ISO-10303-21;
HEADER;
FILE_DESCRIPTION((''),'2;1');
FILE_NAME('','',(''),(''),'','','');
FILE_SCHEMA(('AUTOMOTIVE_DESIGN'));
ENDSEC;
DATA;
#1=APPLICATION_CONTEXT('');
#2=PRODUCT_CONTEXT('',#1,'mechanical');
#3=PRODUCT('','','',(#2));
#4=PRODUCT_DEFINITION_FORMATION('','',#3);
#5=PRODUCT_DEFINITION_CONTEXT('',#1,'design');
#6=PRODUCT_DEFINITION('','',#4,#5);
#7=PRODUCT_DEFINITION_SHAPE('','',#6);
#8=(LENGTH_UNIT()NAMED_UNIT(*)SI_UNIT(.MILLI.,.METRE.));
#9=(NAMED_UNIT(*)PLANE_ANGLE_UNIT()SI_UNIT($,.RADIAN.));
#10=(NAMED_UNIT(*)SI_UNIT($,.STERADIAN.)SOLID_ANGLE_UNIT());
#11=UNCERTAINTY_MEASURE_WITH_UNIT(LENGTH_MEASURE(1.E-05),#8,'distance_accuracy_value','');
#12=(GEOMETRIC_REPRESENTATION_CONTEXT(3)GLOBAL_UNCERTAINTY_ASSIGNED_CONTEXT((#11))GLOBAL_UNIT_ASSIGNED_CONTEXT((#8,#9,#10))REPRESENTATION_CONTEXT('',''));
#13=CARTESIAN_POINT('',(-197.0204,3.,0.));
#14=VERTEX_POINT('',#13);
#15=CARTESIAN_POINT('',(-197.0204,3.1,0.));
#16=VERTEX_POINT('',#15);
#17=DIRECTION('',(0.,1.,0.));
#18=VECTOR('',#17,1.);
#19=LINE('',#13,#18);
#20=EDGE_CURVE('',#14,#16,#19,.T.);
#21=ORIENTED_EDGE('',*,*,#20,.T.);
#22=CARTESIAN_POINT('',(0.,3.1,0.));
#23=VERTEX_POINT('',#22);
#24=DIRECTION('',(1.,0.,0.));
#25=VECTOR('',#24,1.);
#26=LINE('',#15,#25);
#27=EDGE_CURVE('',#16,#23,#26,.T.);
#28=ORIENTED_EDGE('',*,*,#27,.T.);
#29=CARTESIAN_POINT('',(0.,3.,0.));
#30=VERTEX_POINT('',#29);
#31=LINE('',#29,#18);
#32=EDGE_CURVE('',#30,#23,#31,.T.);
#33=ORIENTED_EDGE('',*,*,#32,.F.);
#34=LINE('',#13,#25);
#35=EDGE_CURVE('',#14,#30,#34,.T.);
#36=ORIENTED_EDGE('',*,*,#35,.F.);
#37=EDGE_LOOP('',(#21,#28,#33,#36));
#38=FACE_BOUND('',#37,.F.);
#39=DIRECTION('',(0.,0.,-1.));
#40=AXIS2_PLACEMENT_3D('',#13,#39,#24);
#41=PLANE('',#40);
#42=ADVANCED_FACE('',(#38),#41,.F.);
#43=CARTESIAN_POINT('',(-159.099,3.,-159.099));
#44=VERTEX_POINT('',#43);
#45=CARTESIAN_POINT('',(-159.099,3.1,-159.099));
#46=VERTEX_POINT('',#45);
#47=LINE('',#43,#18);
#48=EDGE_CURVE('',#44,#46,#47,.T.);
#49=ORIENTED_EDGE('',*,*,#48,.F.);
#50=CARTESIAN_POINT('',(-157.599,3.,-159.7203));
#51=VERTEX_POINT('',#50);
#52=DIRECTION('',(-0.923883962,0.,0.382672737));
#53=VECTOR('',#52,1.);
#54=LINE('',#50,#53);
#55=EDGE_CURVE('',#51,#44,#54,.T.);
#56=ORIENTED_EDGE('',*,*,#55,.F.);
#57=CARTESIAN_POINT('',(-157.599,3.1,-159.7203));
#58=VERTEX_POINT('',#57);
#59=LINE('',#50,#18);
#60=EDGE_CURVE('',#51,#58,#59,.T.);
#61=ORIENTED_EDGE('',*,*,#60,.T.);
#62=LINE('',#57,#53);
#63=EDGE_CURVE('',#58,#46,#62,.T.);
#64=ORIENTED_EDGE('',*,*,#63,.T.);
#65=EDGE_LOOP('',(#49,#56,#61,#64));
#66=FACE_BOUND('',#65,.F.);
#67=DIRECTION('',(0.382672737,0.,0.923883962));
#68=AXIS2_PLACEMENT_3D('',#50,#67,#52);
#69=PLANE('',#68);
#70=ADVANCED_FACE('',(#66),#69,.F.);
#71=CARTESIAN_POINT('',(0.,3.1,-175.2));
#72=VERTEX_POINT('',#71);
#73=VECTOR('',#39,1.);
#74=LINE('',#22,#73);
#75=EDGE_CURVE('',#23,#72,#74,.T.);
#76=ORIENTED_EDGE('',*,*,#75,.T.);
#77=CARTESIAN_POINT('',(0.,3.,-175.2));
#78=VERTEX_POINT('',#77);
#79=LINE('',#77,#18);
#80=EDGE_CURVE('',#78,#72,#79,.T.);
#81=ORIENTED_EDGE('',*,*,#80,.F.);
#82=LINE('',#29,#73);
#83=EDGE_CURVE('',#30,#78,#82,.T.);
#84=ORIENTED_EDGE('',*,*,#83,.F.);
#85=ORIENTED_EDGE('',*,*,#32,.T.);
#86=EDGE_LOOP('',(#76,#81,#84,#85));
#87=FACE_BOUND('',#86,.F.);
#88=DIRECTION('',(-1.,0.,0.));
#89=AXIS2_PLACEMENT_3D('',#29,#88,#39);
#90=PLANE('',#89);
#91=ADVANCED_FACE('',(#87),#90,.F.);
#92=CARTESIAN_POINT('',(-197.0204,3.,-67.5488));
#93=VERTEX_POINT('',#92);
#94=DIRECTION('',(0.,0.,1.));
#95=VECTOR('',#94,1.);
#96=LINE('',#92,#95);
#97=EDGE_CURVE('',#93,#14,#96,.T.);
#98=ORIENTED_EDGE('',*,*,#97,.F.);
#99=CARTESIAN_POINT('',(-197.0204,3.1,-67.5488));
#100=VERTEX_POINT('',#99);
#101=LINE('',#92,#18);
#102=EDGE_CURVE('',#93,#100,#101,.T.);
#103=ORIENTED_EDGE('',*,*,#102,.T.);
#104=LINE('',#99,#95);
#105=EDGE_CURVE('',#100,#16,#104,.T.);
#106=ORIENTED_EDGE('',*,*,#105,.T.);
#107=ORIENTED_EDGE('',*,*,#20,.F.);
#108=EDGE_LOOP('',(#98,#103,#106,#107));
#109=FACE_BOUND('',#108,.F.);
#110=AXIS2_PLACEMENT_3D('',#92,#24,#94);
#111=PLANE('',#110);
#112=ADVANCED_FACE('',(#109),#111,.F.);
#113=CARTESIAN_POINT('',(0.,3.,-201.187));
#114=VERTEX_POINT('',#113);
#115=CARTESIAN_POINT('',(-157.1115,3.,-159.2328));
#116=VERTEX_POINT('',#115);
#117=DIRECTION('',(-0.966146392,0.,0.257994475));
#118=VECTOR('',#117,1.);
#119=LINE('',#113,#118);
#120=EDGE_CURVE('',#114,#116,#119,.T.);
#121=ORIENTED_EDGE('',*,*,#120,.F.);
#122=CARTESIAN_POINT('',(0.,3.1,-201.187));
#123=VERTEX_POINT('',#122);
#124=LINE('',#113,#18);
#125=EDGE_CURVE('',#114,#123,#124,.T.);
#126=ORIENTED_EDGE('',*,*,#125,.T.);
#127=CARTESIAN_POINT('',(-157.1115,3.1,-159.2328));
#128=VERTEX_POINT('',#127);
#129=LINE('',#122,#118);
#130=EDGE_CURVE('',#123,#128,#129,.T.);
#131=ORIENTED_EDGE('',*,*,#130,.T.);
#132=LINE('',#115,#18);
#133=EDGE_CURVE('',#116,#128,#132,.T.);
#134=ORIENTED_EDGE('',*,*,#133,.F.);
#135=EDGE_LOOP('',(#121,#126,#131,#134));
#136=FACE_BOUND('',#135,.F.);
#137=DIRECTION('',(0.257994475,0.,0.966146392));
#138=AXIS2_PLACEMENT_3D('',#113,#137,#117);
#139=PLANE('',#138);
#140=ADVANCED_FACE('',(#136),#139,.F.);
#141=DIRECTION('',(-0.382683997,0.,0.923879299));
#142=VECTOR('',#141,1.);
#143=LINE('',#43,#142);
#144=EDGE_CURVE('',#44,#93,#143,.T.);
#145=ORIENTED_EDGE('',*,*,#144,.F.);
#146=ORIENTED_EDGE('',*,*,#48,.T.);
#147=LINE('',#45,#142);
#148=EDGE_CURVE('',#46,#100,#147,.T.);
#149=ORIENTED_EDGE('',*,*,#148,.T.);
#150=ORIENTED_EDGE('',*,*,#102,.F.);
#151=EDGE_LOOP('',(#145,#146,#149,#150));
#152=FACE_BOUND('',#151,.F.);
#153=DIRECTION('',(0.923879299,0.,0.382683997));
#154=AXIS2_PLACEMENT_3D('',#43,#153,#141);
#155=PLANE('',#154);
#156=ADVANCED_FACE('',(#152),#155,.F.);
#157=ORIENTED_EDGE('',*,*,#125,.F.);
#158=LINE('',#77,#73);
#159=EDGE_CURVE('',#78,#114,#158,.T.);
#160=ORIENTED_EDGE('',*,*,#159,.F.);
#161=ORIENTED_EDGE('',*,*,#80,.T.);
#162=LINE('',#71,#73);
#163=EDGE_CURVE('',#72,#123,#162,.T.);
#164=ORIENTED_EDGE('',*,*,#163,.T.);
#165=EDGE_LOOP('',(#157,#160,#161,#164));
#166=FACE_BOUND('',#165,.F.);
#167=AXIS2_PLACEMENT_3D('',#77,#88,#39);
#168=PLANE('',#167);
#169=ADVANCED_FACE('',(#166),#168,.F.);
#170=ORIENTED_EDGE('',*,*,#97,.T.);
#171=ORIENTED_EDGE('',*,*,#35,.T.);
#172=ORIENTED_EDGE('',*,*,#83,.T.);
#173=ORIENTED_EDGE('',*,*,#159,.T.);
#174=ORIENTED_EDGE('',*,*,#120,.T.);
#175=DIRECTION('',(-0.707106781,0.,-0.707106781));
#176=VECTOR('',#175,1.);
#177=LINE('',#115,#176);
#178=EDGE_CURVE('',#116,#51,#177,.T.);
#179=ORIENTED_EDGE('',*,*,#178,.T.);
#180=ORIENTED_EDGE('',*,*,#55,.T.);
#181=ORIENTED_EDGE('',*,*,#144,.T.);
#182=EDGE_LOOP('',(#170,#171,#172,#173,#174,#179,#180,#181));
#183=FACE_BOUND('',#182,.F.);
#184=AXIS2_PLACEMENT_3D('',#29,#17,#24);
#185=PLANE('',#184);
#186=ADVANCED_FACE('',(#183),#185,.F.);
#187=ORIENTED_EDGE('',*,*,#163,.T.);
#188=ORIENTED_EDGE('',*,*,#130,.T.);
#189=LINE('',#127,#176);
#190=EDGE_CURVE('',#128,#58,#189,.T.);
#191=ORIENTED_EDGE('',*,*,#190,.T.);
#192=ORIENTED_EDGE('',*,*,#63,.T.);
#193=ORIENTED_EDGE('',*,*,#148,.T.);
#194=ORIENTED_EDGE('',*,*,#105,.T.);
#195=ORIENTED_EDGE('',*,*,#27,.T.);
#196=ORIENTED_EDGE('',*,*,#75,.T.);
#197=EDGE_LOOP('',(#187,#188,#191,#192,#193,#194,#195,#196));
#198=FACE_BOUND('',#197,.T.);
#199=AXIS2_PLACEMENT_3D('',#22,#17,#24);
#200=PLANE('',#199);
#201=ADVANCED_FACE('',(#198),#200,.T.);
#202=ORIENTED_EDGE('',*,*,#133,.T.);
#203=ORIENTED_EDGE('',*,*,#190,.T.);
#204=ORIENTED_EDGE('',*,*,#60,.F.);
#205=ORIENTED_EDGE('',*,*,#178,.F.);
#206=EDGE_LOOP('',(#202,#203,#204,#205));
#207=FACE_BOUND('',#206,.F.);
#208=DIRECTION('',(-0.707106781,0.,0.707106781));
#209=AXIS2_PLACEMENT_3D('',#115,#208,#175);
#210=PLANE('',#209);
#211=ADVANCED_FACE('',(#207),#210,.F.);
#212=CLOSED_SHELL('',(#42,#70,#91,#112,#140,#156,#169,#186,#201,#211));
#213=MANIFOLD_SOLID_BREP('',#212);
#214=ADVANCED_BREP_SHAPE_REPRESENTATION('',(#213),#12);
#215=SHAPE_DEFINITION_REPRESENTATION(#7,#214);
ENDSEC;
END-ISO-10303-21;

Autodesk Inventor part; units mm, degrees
sketch "草圖1" plane through (0, 0, 0) normal (0, 1, 0) x (-1, 0, 0)
  line L0 (0, 0) -> (0, -200)
  line L1 (0, 0) -> (200, 0)
  line L2 (0, 0) -> (141.4214, -141.4214)
  line L3 (200, 0) -> (141.4214, -141.4214)
  line L4 (141.4214, -141.4214) -> (0, -200)
  line L5 (191.0204, -6) -> (6, -6)
  line L6 (6, -6) -> (6, -191.0204)
  line L7 (6, -191.0204) -> (136.8292, -136.8292)
  line L8 (136.8292, -136.8292) -> (191.0204, -6)
  line L9 (2.1213, 0) -> (142.0427, -139.9214)
  line L10 (0, -2.1213) -> (139.9214, -142.0427)
  line L11 (168.5713, -21) -> (21, -21)
  line L12 (21, -21) -> (21, -168.5713)
  line L13 (21, -168.5713) -> (125.3487, -125.3487)
  line L14 (125.3487, -125.3487) -> (168.5713, -21)
  line L15 (164.0815, -24) -> (24, -24)
  line L16 (24, -24) -> (24, -164.0815)
  line L17 (24, -164.0815) -> (123.0526, -123.0526)
  line L18 (123.0526, -123.0526) -> (164.0815, -24)
  line L19 (191.0204, -6) -> (168.5713, -21)
  line L20 (191.8537, -7.2472) -> (169.4046, -22.2472)
  line L21 (190.187, -4.7528) -> (167.7379, -19.7528)
  line L22 (167.7379, -19.7528) -> (161.3815, -24)
  line L23 (169.4046, -22.2472) -> (163.0482, -26.4944)
  line L24 (24, -164.0815) -> (6, -191.0204)
  line L25 (25.2472, -164.9148) -> (7.2472, -191.8537)
  line L26 (22.7528, -163.2481) -> (4.7528, -190.187)
  line L27 (175, 0) -> (171.8, 0)
  line L28 (171.8, 0) -> (171.8, -3)
  line L29 (171.8, -3) -> (175, -3)
  line L30 (175, -3) -> (175, 0)
  line L31 (141.8, -3) -> (145, -3)
  line L32 (141.8, 0) -> (141.8, -3)
  line L33 (145, -3) -> (145, 0)
  line L34 (111.8, -3) -> (115, -3)
  line L35 (111.8, 0) -> (111.8, -3)
  line L36 (115, -3) -> (115, 0)
  line L37 (81.8, -3) -> (85, -3)
  line L38 (81.8, 0) -> (81.8, -3)
  line L39 (85, -3) -> (85, 0)
  line L40 (51.8, -3) -> (55, -3)
  line L41 (51.8, 0) -> (51.8, -3)
  line L42 (55, -3) -> (55, 0)
  line L43 (21.8, -3) -> (25, -3)
  line L44 (21.8, 0) -> (21.8, -3)
  line L45 (25, -3) -> (25, 0)
  line L46 (0, -200) -> (0, -222)
  line L47 (0, -222) -> (156.9777, -156.9777)
  line L48 (200, 0) -> (222, 0)
  line L49 (141.4214, -141.4214) -> (156.9777, -156.9777)
  line L50 (222, 0) -> (156.9777, -156.9777)
  line L51 (197.0204, 0) -> (197.0204, -60.3062)
  line L52 (0, -222) -> (0, -225)
  line L53 (0, -225) -> (159.099, -159.099)
  line L54 (156.9777, -156.9777) -> (159.099, -159.099)
  line L55 (159.099, -159.099) -> (225, 0)
  line L56 (222, 0) -> (225, 0)
  line L57 (197.0204, -60.3062) -> (197.0204, -67.5488)
  line L58 (0, -200) -> (0, -222)
  line L59 (6, -197.5147) -> (6, -219.5147)
  line L60 (194.0204, -67.5488) -> (194.0204, -14.4361)
  line L61 (142.0427, -139.9214) -> (157.599, -155.4777)
  line L62 (139.9214, -142.0427) -> (157.599, -159.7203)
  line L63 (0, -22) -> (3, -22)
  line L64 (3, -22) -> (3, -25.2)
  line L65 (3, -25.2) -> (0, -25.2)
  line L66 (0, -25.2) -> (0, -22)
  line L67 (3, -52) -> (3, -55.2)
  line L68 (0, -52) -> (3, -52)
  line L69 (3, -55.2) -> (0, -55.2)
  line L70 (3, -82) -> (3, -85.2)
  line L71 (0, -82) -> (3, -82)
  line L72 (3, -85.2) -> (0, -85.2)
  line L73 (3, -112) -> (3, -115.2)
  line L74 (0, -112) -> (3, -112)
  line L75 (3, -115.2) -> (0, -115.2)
  line L76 (3, -142) -> (3, -145.2)
  line L77 (0, -142) -> (3, -142)
  line L78 (3, -145.2) -> (0, -145.2)
  line L79 (3, -172) -> (3, -175.2)
  line L80 (0, -172) -> (3, -172)
  line L81 (3, -175.2) -> (0, -175.2)
  line L82 (155.4777, -157.599) -> (6, -197.5147)
  line L83 (155.7761, -159.5894) -> (8, -199.0507)
  line L84 (8, -199.0507) -> (8, -219.5147)
  line L85 (155.0907, -156.1498) -> (4.5, -196.3627)
  line L86 (4.5, -196.3627) -> (4.5, -219.5147)
  line L87 (155.7761, -159.5894) -> (158.7857, -158.7857)
  line L88 (8, -199.0507) -> (0, -201.187)
  point P0 (8.1213, -6)
  point P1 (137.4505, -135.3292)
  point P2 (135.3292, -137.4505)
  point P3 (6, -8.1213)
  point P4 (121.5526, -123.6739)
  point P5 (24, -26.1213)
  point P6 (21, -23.1213)
  point P7 (123.8487, -125.97)
  point P8 (123.6739, -121.5526)
  point P9 (125.97, -123.8487)
  point P10 (23.1213, -21)
  point P11 (26.1213, -24)
  point P12 (21, -165.8714)
  point P13 (6, -188.3204)
  point P14 (8.4944, -189.9871)
  point P15 (23.4944, -167.5381)
  point P16 (188.3204, -6)
  point P17 (165.8714, -21)
  point P18 (167.5381, -23.4944)
  point P19 (189.9871, -8.4944)
  point P20 (171.8, 0)
  point P21 (141.8, 0)
  point P22 (111.8, 0)
  point P23 (81.8, 0)
  point P24 (51.8, 0)
  point P25 (21.8, 0)
  point P26 (156.9777, -156.9777)
  point P27 (197.0204, -7.1935)
  point P28 (157.5991, -156.7203)
  point P29 (0, -25.2)
  point P30 (0, -55.2)
  point P31 (0, -85.2)
  point P32 (0, -115.2)
  point P33 (0, -145.2)
  point P34 (0, -175.2)
  point P35 (154.2524, -156.3737)
  point P36 (16.5488, -193.1453)
  point P37 (157.1115, -159.2328)
  point P38 (0, -201.187)
  dimension "d0" = 200
  dimension "d1" = 200
  dimension "d2" = 45
  dimension "d3" = 67.5
  dimension "d4" = 6
  dimension "d5" = 1.5
  dimension "d6" = 1.5
  dimension "d9" = 15
  dimension "d10" = 3
  dimension "d11" = 1.5
  dimension "d12" = 1.5
  dimension "d13" = 1.5
  dimension "d14" = 1.5
  dimension "d15" = 3
  dimension "d16" = 3.2
  dimension "d17" = 25
  dimension "d20" = 30
  dimension "d27" = 22
  dimension "d28" = 22
  dimension "d29" = 6
  dimension "d30" = 3
  dimension "d31" = 3
  dimension "d32" = 6
  dimension "d34" = 3
  dimension "d35" = 3
  dimension "d36" = 3.2
  dimension "d37" = 22
  dimension "d40" = 30
  dimension "d49" = 2
  dimension "d50" = 1.5
ref_plane "工作平面1" through (-3, 0, -25.2) normal (0, 0, 1) x (1, 0, 0)
sketch "草圖2" plane through (-3, 0, -25.2) normal (0, 0, 1) x (1, 0, 0)
  line L0 (0, 0) -> (0, 3) projected
  line L1 (-154.599, 3) -> (-156.099, 3) projected
  line L2 (0, 0) -> (-3, 0)
  line L3 (-3, 0) -> (-3, 3)
  line L4 (-3, 3) -> (0, 3)
  line L5 (0, 3) -> (0, 0)
  circle A0 centre (-1.5, 1.5) radius 2.1213
  point P0 (3, 0)
  point P1 (3, 3)
  dimension "d45" = 3
  dimension "d46" = 4.2426
ref_plane "工作平面2" through (-21.8, 0, -3) normal (-1, 0, 0) x (0, 0, 1)
sketch "草圖3" plane through (-21.8, 0, -3) normal (-1, 0, 0) x (0, 0, 1)
  line L0 (0, 3) -> (-3, 3)
  line L1 (-3, 3) -> (-3, 0)
  line L2 (-3, 0) -> (0, 0)
  line L3 (0, 0) -> (0, 3)
  circle A0 centre (-1.5, 1.5) radius 2.1213
  point P0 (3, 0)
  dimension "d47" = 4.2426
  dimension "d48" = 1.5
ref_plane "工作平面3" through (0, 3, 0) normal (0, 1, 0) x (1, 0, 0)
sketch "草圖4" plane through (0, 3, 0) normal (0, 1, 0) x (1, 0, 0)
  line L0 (-197.0204, 67.5488) -> (-197.0204, 0) projected
  line L1 (-197.0204, 0) -> (0, 0)
  line L2 (0, 175.2) -> (0, 201.187) projected
  line L3 (0, 0) -> (0, 201.187)
  line L4 (0, 201.187) -> (-157.1115, 159.2328) projected
  line L5 (0, 201.187) -> (-157.1115, 159.2328)
  line L6 (-157.1115, 159.2328) -> (-157.599, 159.7203) projected
  line L7 (-157.1115, 159.2328) -> (-157.599, 159.7203)
  line L8 (-157.599, 159.7203) -> (-159.099, 159.099) projected
  line L9 (-157.599, 159.7203) -> (-159.099, 159.099)
  line L10 (-159.099, 159.099) -> (-197.0204, 67.5488) projected
  line L11 (-159.099, 159.099) -> (-197.0204, 67.5488)
  line L12 (-197.0204, 67.5488) -> (-197.0204, 0)
extrude "擠出2" add sketch "草圖4" along normal blind 0.1
properties part number "帆布"
